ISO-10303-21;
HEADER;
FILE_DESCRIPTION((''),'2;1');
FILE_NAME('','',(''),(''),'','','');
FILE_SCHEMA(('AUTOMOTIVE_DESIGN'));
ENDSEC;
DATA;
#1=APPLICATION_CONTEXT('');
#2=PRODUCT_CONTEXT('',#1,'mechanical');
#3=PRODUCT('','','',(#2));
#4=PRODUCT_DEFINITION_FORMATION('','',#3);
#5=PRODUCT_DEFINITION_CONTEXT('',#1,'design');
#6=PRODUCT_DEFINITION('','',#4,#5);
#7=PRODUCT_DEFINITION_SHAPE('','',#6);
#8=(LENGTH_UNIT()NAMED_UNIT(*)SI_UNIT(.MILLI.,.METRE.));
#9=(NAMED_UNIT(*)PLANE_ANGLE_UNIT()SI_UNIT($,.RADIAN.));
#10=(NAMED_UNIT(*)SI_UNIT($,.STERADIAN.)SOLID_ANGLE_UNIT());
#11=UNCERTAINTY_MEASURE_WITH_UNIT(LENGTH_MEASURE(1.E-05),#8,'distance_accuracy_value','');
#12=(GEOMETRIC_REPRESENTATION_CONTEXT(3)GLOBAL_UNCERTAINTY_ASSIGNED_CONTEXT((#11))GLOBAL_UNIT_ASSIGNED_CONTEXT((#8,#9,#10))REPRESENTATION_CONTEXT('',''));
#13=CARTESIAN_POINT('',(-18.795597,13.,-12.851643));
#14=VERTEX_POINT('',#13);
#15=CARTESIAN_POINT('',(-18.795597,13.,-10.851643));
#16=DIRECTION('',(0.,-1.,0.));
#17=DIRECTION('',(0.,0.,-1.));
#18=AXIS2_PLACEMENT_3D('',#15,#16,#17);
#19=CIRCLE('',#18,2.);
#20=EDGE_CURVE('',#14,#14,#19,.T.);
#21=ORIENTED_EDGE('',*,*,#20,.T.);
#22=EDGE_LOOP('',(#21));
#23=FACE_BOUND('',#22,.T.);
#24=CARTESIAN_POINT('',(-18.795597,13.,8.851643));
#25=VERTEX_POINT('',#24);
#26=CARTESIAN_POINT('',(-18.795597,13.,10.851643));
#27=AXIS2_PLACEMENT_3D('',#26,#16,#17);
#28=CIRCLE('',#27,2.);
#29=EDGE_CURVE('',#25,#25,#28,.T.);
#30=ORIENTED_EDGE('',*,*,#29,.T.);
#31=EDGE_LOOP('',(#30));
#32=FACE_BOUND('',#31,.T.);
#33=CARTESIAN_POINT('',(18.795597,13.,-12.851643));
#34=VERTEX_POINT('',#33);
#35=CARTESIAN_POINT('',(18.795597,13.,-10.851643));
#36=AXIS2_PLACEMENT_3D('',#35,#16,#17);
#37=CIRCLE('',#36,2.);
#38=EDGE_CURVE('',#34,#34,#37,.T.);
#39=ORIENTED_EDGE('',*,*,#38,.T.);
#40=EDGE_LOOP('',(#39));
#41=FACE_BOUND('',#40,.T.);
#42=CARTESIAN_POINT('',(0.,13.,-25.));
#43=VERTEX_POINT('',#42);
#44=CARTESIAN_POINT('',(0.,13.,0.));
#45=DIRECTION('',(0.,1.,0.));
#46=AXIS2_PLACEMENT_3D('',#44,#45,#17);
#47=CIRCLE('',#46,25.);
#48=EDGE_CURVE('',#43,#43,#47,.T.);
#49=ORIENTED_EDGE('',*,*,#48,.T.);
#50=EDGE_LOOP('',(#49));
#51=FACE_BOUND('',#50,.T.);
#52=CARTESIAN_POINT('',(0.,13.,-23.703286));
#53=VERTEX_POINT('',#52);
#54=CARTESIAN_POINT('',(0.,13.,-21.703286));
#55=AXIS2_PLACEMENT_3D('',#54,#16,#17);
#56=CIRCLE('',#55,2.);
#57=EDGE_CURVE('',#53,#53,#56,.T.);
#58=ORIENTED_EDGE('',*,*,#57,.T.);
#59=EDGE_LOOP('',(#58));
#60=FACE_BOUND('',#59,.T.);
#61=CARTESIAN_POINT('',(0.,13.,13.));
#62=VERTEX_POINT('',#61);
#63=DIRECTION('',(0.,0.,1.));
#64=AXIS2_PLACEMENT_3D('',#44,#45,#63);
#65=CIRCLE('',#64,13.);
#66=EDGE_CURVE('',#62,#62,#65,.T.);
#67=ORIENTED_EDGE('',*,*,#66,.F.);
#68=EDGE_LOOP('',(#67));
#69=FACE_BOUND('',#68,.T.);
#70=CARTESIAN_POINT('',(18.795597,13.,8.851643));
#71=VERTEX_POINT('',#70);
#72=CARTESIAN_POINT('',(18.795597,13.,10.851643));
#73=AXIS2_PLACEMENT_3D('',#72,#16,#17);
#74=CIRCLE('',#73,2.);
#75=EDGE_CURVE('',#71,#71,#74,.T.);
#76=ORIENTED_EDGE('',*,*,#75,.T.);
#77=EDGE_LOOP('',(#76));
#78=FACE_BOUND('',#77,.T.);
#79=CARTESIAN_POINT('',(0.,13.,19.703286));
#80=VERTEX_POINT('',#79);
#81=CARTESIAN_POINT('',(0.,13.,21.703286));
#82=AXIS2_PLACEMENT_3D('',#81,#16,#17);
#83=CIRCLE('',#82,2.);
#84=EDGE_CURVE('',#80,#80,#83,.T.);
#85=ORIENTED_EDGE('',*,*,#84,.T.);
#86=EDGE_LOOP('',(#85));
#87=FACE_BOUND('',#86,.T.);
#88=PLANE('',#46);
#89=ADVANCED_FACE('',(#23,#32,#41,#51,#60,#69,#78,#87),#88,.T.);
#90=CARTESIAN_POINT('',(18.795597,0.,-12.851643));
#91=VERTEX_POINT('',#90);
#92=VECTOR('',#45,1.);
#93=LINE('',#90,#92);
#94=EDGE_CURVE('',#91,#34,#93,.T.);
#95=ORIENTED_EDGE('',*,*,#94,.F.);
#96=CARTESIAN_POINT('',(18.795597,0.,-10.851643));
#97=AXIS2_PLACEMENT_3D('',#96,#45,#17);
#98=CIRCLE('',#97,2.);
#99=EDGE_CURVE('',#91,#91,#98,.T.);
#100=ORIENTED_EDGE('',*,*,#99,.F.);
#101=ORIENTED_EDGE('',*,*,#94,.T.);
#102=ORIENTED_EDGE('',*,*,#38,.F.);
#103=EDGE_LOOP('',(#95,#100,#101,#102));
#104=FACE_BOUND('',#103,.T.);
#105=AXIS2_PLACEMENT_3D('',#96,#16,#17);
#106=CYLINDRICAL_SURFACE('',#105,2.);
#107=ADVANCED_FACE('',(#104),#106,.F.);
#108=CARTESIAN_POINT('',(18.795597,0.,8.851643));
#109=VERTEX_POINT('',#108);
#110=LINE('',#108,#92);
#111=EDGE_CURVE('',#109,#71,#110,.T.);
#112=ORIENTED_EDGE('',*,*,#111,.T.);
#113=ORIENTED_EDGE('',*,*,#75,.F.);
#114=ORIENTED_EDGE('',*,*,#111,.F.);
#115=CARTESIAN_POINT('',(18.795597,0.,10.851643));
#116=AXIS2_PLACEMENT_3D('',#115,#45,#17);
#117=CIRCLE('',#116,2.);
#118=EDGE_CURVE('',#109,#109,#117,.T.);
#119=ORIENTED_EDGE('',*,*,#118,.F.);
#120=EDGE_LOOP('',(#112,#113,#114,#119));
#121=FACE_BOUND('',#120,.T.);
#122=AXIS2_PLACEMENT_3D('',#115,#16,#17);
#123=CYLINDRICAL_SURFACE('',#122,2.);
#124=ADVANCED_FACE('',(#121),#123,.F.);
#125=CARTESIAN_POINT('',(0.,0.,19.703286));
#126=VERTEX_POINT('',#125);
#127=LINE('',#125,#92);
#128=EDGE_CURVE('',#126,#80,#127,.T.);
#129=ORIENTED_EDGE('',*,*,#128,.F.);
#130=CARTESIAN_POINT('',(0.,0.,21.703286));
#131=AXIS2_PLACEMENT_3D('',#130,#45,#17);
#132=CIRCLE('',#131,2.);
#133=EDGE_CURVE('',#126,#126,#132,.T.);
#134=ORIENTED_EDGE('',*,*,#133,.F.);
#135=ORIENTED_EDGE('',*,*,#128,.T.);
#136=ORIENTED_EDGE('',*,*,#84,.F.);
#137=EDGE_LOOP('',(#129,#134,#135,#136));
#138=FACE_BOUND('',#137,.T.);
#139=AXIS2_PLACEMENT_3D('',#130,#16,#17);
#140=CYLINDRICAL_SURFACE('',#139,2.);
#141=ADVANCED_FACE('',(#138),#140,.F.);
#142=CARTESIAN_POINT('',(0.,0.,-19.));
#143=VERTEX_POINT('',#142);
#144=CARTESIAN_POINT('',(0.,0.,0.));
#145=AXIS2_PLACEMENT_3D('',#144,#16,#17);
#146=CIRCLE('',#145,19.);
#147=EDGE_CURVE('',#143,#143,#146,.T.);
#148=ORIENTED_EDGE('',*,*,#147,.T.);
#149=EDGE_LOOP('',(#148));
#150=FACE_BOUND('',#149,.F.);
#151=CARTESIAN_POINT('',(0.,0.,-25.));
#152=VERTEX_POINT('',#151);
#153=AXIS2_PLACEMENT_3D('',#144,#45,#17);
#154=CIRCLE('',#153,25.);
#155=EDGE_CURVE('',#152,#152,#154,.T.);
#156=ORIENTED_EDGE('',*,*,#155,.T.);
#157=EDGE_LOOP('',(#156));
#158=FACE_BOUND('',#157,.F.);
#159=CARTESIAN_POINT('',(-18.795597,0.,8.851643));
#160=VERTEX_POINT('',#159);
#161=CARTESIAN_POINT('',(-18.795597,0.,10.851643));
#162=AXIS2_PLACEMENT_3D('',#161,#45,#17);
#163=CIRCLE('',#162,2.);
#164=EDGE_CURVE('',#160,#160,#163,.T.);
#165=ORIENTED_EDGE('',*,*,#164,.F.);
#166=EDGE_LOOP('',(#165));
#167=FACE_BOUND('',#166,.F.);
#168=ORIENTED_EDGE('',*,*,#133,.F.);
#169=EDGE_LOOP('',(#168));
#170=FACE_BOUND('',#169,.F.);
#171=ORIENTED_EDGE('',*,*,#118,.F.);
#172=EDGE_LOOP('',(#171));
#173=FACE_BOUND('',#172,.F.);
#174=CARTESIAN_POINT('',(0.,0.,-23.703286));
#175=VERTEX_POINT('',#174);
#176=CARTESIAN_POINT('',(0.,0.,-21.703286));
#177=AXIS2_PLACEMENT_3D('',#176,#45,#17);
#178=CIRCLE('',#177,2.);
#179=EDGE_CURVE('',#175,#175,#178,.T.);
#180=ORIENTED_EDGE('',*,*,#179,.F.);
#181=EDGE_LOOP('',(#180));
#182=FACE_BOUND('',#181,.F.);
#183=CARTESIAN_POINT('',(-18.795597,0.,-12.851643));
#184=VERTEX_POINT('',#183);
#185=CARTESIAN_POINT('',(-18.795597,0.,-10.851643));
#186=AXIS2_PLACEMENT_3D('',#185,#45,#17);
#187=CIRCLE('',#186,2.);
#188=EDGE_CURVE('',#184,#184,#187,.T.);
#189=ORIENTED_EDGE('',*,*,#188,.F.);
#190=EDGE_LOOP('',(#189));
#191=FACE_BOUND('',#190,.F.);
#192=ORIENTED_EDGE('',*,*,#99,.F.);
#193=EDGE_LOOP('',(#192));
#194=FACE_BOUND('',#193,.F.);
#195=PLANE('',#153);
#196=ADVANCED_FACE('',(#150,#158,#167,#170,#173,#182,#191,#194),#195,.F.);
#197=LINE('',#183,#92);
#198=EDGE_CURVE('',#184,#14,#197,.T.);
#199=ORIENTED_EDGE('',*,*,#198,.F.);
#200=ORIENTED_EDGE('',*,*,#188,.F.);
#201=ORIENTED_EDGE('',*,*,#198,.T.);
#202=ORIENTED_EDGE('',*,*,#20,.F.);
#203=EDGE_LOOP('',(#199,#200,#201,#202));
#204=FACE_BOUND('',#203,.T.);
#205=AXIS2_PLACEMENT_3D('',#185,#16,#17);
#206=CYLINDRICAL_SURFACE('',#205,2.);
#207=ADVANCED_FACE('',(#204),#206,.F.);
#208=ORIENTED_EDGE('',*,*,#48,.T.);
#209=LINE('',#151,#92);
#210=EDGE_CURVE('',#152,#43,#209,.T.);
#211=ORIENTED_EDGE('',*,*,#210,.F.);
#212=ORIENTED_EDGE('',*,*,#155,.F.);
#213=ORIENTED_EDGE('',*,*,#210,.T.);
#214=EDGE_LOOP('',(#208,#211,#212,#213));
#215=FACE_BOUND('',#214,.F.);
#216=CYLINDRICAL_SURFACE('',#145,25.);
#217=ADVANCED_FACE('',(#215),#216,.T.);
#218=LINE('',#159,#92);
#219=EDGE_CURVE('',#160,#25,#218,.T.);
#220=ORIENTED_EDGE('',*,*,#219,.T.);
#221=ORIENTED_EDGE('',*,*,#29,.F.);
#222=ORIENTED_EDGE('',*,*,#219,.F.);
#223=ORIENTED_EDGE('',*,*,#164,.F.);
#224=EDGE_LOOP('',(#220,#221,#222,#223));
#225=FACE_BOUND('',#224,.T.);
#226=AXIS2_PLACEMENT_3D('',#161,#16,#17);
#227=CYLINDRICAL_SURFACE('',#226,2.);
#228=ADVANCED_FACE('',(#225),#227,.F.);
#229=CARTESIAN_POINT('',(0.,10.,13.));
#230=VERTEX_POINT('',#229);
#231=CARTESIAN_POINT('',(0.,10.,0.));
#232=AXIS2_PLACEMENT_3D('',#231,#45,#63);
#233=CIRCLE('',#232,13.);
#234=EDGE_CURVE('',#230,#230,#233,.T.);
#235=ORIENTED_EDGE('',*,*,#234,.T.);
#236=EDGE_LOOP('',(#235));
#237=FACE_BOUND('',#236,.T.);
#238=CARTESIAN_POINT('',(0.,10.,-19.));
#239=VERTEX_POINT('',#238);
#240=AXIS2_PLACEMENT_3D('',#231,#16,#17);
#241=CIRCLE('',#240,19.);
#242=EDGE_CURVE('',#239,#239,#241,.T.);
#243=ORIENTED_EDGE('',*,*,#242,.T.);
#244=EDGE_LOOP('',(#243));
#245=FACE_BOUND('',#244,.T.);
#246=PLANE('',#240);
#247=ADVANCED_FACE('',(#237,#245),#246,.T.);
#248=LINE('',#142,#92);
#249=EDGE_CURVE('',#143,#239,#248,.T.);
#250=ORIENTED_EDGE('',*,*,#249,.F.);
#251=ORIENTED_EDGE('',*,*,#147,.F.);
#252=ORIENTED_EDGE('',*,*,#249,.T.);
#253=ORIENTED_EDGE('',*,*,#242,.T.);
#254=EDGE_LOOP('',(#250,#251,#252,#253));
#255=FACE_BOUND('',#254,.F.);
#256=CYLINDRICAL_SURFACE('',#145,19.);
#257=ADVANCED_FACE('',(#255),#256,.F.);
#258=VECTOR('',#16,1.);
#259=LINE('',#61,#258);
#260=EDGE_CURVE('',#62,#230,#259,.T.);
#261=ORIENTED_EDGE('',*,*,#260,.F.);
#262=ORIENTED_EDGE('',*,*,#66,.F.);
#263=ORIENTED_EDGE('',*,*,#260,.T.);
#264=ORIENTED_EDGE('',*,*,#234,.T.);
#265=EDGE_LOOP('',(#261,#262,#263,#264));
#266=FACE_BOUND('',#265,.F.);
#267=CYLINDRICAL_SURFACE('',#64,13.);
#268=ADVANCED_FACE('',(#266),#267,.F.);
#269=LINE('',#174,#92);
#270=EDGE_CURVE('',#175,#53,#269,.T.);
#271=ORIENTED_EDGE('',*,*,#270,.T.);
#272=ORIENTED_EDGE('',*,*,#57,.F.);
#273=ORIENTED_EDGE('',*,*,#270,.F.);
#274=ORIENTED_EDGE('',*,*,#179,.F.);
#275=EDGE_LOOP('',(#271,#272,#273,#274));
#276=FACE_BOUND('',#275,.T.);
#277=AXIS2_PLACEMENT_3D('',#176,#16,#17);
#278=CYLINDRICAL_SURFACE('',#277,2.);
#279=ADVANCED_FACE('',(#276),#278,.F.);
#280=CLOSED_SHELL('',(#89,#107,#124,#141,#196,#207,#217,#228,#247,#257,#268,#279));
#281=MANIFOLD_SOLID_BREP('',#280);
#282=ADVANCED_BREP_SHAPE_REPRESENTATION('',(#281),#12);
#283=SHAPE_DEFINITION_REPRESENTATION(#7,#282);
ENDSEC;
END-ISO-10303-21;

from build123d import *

# Parameters (mm, degrees)
SKETCH_1_R          = 25
EXTRUDE_1_DEPTH     = 13
SKETCH_3_R          = 2
CUT_EXTRUDE_3_DEPTH = 38.669616404
SKETCH_4_R          = 19
CUT_EXTRUDE_1_DEPTH = 10
SKETCH_5_R          = 13
CUT_EXTRUDE_2_DEPTH = 38.669616404


with BuildPart() as part:
    # Эскиз1 → Вытянуть1 (new body)
    with BuildSketch(Plane(origin=(0, 0, 0), x_dir=(1, 0, 0), z_dir=(0, 1, 0))):
        with Locations(Location((0, 0, 0), (0, 0, 90))):
            Circle(SKETCH_1_R)
    extrude(amount=EXTRUDE_1_DEPTH)

    # Эскиз3 → Вытянуть3 (cut, through all)
    with BuildSketch(Plane(origin=(0, 0, 0), x_dir=(1, 0, 0), z_dir=(0, 1, 0))):
        with Locations(Location((0, 21.703286444, 0), (0, 0, 90))):
            Circle(SKETCH_3_R)
        with Locations(Location((18.795597406, 10.851643222, 0), (0, 0, 90))):
            Circle(SKETCH_3_R)
        with Locations(Location((18.795597406, -10.851643222, 0), (0, 0, 90))):
            Circle(SKETCH_3_R)
        with Locations(Location((0, -21.703286444, 0), (0, 0, 90))):
            Circle(SKETCH_3_R)
        with Locations(Location((-18.795597406, -10.851643222, 0), (0, 0, 90))):
            Circle(SKETCH_3_R)
        with Locations(Location((-18.795597406, 10.851643222, 0), (0, 0, 90))):
            Circle(SKETCH_3_R)
    extrude(amount=CUT_EXTRUDE_3_DEPTH, mode=Mode.SUBTRACT)

    # Эскиз4 → Вырез-Вытянуть1 (cut)
    with BuildSketch(Plane.XZ):
        with Locations(Location((0, 0, 0), (0, 0, 270))):
            Circle(SKETCH_4_R)
    extrude(amount=-CUT_EXTRUDE_1_DEPTH, mode=Mode.SUBTRACT)

    # Эскиз5 → Вырез-Вытянуть2 (cut, through all)
    with BuildSketch(Plane(origin=(0, 13, 0), x_dir=(1, 0, 0), z_dir=(0, 1, 0))):
        with Locations(Location((0, 0, 0), (0, 0, 270))):
            Circle(SKETCH_5_R)
    extrude(amount=-CUT_EXTRUDE_2_DEPTH, mode=Mode.SUBTRACT)


solid = part.part
